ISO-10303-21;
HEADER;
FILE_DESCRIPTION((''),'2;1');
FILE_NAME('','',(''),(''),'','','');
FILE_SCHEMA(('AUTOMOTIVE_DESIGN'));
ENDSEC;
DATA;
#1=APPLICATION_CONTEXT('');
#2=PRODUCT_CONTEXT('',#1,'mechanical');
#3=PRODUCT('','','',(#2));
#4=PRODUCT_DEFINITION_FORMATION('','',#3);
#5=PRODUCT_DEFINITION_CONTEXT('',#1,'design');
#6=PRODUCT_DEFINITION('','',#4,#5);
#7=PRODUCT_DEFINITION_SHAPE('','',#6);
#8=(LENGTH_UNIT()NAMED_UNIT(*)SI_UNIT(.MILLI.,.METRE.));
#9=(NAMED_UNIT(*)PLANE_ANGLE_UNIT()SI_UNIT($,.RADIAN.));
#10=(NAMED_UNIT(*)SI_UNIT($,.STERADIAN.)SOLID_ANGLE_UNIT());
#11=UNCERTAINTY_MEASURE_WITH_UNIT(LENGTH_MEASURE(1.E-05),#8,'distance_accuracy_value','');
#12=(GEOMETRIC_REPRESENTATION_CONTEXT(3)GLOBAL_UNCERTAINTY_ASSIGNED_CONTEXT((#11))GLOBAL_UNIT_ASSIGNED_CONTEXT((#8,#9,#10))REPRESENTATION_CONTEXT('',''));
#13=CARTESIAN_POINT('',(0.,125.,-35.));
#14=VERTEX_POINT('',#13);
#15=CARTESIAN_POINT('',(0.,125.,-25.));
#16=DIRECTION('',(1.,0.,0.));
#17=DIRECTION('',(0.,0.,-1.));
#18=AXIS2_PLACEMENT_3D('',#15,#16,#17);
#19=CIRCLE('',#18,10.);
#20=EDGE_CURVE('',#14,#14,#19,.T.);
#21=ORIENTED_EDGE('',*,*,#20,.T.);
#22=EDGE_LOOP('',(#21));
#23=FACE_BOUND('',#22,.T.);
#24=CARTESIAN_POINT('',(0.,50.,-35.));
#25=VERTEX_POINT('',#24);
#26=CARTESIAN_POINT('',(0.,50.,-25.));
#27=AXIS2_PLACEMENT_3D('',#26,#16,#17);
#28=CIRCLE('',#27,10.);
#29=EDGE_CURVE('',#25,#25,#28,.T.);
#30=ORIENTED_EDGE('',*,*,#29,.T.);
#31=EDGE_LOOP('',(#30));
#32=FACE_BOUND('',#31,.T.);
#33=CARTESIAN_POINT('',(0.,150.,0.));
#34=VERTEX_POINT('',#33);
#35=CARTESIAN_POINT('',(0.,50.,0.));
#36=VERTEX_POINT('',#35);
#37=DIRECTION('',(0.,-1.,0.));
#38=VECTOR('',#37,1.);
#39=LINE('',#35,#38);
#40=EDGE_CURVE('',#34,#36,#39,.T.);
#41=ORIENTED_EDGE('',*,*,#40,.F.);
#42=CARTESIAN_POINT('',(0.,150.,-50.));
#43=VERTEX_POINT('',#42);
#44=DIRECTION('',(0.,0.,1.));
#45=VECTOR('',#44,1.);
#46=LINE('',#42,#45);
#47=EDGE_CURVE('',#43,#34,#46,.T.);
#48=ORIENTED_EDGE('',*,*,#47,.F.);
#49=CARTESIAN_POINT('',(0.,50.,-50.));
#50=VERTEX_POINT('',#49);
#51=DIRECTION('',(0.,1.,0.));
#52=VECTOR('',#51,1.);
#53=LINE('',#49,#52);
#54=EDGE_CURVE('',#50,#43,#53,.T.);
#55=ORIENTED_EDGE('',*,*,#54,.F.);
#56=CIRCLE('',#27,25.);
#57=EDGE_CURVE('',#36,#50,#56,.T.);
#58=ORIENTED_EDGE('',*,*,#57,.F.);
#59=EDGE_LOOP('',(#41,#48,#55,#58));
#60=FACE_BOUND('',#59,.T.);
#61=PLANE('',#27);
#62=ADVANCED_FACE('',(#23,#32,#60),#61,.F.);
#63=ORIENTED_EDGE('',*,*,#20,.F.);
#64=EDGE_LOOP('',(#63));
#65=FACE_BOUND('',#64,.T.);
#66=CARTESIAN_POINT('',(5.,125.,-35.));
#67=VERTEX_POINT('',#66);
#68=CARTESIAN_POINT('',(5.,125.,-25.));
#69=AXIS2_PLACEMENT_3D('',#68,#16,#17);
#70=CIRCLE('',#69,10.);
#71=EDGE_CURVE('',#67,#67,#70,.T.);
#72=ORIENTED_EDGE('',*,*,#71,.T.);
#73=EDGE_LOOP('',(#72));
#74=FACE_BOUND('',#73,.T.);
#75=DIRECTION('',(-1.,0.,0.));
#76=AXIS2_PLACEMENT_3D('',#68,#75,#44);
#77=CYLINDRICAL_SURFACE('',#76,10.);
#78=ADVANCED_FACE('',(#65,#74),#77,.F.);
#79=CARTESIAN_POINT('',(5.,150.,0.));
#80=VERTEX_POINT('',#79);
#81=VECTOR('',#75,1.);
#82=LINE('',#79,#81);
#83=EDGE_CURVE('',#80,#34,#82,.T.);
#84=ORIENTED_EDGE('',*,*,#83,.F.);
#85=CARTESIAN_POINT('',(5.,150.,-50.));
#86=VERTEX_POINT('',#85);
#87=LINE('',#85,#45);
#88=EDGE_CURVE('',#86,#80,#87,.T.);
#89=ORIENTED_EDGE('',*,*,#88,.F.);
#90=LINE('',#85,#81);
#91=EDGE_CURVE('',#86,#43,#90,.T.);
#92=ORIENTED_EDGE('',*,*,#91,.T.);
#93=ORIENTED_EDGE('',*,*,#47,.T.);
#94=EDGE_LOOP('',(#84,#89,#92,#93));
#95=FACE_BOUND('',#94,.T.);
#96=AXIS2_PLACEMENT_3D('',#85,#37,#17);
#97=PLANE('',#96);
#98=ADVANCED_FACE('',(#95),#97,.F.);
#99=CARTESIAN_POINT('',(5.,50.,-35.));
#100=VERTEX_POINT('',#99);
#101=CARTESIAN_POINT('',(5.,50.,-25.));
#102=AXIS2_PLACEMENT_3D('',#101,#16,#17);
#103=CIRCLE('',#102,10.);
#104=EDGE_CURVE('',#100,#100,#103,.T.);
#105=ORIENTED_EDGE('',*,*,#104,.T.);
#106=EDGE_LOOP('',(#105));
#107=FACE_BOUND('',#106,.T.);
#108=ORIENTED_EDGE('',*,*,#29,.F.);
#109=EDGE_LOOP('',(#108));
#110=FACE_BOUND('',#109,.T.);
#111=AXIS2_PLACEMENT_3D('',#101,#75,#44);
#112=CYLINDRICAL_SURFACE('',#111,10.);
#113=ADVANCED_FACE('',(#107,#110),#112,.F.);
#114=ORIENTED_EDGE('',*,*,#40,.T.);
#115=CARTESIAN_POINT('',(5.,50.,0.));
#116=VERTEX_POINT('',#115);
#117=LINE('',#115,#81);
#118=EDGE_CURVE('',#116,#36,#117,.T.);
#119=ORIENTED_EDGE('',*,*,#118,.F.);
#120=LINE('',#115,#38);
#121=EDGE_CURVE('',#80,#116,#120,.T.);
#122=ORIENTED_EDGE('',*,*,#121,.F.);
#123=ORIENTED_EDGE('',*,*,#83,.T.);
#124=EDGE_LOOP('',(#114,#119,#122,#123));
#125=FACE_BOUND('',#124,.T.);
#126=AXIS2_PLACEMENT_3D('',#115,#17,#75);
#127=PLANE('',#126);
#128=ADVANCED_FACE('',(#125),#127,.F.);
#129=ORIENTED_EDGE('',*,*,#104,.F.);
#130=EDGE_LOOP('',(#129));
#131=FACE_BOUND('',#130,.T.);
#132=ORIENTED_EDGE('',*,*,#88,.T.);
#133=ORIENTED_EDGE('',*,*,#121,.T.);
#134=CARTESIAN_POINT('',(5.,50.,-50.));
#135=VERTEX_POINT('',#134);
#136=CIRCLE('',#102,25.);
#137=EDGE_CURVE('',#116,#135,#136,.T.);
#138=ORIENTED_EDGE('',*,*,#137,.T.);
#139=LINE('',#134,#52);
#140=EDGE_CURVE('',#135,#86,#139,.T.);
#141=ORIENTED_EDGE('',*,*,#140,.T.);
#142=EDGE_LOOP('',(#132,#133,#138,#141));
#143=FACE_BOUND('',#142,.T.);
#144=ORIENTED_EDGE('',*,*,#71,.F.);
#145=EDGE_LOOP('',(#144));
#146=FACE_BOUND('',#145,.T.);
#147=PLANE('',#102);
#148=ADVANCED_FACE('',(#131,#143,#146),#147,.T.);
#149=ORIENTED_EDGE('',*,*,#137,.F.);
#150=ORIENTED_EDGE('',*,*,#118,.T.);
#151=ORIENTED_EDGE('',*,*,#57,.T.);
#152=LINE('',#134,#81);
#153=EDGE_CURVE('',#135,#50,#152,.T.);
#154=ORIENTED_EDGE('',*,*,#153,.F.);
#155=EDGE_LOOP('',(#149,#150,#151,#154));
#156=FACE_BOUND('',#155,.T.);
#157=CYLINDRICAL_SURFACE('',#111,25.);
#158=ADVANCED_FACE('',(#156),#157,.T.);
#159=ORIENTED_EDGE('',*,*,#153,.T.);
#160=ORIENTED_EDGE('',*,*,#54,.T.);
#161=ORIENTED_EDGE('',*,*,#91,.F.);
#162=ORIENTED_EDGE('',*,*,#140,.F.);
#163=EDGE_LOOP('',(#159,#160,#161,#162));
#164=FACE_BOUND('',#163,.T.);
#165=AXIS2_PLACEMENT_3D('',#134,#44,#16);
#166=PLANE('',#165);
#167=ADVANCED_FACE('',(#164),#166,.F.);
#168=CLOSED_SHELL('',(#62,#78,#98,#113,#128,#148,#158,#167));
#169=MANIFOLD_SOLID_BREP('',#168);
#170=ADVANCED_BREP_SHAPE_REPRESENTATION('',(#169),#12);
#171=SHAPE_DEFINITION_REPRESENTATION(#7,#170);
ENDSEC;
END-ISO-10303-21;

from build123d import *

# Parameters (mm, degrees)
SKETCH1_R           = 10
BOSS_EXTRUDE1_DEPTH = 5


with BuildPart() as part:
    # Sketch1 → Boss-Extrude1 (new body)
    with BuildSketch(Plane(origin=(0, 0, 0), x_dir=(0, 0, -1), z_dir=(1, 0, 0))):
        with BuildLine():
            Line((50, 150), (0, 150))
            Line((0, 150), (0, 50))
            ThreePointArc((0, 50), (25, 25), (50, 50))
            Line((50, 50), (50, 150))
        make_face()
        with Locations((25, 50)):
            Circle(SKETCH1_R, mode=Mode.SUBTRACT)
        with Locations((25, 125)):
            Circle(SKETCH1_R, mode=Mode.SUBTRACT)
    extrude(amount=BOSS_EXTRUDE1_DEPTH)


solid = part.part
